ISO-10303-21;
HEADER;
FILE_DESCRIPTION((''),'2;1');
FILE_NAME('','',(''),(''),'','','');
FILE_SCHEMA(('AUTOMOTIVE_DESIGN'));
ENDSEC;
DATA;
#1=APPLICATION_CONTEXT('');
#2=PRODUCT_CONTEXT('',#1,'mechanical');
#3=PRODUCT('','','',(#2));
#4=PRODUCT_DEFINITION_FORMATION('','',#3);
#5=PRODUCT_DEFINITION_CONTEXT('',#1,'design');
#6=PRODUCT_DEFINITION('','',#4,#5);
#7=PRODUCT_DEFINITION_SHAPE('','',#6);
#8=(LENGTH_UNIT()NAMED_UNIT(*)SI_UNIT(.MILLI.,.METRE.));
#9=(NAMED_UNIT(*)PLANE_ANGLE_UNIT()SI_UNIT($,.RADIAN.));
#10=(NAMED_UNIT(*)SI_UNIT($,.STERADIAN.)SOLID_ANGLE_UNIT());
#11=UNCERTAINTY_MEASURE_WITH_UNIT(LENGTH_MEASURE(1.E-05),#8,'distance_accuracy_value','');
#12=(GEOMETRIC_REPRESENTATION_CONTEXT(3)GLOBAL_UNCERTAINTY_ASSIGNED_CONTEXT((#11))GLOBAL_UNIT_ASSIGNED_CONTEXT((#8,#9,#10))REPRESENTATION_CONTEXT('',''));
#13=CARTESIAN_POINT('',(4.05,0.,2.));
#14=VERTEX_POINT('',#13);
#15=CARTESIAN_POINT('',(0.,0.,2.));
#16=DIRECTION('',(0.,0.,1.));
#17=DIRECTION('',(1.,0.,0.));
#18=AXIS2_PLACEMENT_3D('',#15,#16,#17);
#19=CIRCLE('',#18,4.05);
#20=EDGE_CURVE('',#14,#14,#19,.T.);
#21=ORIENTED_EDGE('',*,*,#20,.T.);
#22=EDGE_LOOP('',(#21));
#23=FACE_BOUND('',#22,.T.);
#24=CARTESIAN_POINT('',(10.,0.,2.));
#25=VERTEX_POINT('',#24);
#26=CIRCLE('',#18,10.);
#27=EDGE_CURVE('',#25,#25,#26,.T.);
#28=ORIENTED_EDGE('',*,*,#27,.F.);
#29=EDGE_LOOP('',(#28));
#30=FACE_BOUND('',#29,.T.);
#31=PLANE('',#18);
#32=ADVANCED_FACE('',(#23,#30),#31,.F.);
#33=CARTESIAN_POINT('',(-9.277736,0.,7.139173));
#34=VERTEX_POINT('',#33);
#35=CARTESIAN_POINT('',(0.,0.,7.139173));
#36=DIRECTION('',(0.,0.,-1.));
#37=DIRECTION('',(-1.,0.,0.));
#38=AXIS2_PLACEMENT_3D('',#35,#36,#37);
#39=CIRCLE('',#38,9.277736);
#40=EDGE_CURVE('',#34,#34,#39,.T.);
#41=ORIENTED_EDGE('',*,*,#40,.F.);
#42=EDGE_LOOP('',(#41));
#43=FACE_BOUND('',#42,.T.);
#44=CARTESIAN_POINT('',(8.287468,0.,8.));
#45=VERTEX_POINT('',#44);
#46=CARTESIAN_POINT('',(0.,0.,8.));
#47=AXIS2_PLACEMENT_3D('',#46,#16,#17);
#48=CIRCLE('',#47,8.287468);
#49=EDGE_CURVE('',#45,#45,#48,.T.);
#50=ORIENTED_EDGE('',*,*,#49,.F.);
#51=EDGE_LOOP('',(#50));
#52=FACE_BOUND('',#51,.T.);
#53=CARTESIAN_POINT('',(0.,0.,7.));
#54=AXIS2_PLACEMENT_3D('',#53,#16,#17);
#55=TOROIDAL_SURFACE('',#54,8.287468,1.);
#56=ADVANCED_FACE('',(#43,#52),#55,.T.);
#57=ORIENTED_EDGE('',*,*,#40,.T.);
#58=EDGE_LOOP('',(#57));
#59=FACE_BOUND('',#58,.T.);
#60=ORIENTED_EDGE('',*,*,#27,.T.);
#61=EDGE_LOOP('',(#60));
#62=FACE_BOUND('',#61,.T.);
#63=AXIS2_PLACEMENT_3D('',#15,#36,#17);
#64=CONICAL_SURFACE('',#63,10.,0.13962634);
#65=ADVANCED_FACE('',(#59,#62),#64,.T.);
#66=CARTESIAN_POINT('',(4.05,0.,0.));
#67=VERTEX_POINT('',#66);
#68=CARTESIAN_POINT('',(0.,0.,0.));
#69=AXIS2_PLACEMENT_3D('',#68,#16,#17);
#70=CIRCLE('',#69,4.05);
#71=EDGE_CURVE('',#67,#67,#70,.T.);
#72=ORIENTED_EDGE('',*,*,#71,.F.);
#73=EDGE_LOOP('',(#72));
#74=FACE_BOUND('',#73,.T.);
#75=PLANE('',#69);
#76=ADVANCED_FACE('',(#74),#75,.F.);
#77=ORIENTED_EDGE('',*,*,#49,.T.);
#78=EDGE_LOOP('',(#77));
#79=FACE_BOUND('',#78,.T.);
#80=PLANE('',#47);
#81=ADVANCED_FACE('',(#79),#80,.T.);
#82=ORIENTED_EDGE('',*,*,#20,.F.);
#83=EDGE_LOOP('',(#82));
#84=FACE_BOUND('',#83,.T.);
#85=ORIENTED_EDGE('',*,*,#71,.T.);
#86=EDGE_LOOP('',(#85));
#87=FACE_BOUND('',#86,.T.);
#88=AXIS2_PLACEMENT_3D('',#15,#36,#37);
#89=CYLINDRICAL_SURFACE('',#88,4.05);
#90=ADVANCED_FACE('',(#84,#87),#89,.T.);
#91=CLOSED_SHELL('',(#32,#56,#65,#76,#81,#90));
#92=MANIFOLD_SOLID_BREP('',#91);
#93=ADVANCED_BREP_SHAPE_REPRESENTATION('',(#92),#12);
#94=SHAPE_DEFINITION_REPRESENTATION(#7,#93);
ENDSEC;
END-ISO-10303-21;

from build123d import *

# Parameters (mm, degrees)
ESQUISSE1_R        = 4.05
BOSS_EXTRU_1_DEPTH = 2
ESQUISSE2_R        = 10
BOSS_EXTRU_2_DEPTH = 6
BOSS_EXTRU_2_TAPER = 8
CONG_1_R           = 1


with BuildPart() as part:
    # Esquisse1 → Boss.-Extru.1 (new body)
    with BuildSketch(Plane.XY):
        Circle(ESQUISSE1_R)
    extrude(amount=BOSS_EXTRU_1_DEPTH)

    # Esquisse2 → Boss.-Extru.2 (add)
    with BuildSketch(Plane.XY.offset(2)):
        Circle(ESQUISSE2_R)
    extrude(amount=BOSS_EXTRU_2_DEPTH, taper=BOSS_EXTRU_2_TAPER)

    # Congé1
    cong_1_edges = [part.edges().sort_by_distance(p)[0] for p in [
        (-9.156754992, 0, 8),
    ]]
    fillet(cong_1_edges, radius=CONG_1_R)


solid = part.part
